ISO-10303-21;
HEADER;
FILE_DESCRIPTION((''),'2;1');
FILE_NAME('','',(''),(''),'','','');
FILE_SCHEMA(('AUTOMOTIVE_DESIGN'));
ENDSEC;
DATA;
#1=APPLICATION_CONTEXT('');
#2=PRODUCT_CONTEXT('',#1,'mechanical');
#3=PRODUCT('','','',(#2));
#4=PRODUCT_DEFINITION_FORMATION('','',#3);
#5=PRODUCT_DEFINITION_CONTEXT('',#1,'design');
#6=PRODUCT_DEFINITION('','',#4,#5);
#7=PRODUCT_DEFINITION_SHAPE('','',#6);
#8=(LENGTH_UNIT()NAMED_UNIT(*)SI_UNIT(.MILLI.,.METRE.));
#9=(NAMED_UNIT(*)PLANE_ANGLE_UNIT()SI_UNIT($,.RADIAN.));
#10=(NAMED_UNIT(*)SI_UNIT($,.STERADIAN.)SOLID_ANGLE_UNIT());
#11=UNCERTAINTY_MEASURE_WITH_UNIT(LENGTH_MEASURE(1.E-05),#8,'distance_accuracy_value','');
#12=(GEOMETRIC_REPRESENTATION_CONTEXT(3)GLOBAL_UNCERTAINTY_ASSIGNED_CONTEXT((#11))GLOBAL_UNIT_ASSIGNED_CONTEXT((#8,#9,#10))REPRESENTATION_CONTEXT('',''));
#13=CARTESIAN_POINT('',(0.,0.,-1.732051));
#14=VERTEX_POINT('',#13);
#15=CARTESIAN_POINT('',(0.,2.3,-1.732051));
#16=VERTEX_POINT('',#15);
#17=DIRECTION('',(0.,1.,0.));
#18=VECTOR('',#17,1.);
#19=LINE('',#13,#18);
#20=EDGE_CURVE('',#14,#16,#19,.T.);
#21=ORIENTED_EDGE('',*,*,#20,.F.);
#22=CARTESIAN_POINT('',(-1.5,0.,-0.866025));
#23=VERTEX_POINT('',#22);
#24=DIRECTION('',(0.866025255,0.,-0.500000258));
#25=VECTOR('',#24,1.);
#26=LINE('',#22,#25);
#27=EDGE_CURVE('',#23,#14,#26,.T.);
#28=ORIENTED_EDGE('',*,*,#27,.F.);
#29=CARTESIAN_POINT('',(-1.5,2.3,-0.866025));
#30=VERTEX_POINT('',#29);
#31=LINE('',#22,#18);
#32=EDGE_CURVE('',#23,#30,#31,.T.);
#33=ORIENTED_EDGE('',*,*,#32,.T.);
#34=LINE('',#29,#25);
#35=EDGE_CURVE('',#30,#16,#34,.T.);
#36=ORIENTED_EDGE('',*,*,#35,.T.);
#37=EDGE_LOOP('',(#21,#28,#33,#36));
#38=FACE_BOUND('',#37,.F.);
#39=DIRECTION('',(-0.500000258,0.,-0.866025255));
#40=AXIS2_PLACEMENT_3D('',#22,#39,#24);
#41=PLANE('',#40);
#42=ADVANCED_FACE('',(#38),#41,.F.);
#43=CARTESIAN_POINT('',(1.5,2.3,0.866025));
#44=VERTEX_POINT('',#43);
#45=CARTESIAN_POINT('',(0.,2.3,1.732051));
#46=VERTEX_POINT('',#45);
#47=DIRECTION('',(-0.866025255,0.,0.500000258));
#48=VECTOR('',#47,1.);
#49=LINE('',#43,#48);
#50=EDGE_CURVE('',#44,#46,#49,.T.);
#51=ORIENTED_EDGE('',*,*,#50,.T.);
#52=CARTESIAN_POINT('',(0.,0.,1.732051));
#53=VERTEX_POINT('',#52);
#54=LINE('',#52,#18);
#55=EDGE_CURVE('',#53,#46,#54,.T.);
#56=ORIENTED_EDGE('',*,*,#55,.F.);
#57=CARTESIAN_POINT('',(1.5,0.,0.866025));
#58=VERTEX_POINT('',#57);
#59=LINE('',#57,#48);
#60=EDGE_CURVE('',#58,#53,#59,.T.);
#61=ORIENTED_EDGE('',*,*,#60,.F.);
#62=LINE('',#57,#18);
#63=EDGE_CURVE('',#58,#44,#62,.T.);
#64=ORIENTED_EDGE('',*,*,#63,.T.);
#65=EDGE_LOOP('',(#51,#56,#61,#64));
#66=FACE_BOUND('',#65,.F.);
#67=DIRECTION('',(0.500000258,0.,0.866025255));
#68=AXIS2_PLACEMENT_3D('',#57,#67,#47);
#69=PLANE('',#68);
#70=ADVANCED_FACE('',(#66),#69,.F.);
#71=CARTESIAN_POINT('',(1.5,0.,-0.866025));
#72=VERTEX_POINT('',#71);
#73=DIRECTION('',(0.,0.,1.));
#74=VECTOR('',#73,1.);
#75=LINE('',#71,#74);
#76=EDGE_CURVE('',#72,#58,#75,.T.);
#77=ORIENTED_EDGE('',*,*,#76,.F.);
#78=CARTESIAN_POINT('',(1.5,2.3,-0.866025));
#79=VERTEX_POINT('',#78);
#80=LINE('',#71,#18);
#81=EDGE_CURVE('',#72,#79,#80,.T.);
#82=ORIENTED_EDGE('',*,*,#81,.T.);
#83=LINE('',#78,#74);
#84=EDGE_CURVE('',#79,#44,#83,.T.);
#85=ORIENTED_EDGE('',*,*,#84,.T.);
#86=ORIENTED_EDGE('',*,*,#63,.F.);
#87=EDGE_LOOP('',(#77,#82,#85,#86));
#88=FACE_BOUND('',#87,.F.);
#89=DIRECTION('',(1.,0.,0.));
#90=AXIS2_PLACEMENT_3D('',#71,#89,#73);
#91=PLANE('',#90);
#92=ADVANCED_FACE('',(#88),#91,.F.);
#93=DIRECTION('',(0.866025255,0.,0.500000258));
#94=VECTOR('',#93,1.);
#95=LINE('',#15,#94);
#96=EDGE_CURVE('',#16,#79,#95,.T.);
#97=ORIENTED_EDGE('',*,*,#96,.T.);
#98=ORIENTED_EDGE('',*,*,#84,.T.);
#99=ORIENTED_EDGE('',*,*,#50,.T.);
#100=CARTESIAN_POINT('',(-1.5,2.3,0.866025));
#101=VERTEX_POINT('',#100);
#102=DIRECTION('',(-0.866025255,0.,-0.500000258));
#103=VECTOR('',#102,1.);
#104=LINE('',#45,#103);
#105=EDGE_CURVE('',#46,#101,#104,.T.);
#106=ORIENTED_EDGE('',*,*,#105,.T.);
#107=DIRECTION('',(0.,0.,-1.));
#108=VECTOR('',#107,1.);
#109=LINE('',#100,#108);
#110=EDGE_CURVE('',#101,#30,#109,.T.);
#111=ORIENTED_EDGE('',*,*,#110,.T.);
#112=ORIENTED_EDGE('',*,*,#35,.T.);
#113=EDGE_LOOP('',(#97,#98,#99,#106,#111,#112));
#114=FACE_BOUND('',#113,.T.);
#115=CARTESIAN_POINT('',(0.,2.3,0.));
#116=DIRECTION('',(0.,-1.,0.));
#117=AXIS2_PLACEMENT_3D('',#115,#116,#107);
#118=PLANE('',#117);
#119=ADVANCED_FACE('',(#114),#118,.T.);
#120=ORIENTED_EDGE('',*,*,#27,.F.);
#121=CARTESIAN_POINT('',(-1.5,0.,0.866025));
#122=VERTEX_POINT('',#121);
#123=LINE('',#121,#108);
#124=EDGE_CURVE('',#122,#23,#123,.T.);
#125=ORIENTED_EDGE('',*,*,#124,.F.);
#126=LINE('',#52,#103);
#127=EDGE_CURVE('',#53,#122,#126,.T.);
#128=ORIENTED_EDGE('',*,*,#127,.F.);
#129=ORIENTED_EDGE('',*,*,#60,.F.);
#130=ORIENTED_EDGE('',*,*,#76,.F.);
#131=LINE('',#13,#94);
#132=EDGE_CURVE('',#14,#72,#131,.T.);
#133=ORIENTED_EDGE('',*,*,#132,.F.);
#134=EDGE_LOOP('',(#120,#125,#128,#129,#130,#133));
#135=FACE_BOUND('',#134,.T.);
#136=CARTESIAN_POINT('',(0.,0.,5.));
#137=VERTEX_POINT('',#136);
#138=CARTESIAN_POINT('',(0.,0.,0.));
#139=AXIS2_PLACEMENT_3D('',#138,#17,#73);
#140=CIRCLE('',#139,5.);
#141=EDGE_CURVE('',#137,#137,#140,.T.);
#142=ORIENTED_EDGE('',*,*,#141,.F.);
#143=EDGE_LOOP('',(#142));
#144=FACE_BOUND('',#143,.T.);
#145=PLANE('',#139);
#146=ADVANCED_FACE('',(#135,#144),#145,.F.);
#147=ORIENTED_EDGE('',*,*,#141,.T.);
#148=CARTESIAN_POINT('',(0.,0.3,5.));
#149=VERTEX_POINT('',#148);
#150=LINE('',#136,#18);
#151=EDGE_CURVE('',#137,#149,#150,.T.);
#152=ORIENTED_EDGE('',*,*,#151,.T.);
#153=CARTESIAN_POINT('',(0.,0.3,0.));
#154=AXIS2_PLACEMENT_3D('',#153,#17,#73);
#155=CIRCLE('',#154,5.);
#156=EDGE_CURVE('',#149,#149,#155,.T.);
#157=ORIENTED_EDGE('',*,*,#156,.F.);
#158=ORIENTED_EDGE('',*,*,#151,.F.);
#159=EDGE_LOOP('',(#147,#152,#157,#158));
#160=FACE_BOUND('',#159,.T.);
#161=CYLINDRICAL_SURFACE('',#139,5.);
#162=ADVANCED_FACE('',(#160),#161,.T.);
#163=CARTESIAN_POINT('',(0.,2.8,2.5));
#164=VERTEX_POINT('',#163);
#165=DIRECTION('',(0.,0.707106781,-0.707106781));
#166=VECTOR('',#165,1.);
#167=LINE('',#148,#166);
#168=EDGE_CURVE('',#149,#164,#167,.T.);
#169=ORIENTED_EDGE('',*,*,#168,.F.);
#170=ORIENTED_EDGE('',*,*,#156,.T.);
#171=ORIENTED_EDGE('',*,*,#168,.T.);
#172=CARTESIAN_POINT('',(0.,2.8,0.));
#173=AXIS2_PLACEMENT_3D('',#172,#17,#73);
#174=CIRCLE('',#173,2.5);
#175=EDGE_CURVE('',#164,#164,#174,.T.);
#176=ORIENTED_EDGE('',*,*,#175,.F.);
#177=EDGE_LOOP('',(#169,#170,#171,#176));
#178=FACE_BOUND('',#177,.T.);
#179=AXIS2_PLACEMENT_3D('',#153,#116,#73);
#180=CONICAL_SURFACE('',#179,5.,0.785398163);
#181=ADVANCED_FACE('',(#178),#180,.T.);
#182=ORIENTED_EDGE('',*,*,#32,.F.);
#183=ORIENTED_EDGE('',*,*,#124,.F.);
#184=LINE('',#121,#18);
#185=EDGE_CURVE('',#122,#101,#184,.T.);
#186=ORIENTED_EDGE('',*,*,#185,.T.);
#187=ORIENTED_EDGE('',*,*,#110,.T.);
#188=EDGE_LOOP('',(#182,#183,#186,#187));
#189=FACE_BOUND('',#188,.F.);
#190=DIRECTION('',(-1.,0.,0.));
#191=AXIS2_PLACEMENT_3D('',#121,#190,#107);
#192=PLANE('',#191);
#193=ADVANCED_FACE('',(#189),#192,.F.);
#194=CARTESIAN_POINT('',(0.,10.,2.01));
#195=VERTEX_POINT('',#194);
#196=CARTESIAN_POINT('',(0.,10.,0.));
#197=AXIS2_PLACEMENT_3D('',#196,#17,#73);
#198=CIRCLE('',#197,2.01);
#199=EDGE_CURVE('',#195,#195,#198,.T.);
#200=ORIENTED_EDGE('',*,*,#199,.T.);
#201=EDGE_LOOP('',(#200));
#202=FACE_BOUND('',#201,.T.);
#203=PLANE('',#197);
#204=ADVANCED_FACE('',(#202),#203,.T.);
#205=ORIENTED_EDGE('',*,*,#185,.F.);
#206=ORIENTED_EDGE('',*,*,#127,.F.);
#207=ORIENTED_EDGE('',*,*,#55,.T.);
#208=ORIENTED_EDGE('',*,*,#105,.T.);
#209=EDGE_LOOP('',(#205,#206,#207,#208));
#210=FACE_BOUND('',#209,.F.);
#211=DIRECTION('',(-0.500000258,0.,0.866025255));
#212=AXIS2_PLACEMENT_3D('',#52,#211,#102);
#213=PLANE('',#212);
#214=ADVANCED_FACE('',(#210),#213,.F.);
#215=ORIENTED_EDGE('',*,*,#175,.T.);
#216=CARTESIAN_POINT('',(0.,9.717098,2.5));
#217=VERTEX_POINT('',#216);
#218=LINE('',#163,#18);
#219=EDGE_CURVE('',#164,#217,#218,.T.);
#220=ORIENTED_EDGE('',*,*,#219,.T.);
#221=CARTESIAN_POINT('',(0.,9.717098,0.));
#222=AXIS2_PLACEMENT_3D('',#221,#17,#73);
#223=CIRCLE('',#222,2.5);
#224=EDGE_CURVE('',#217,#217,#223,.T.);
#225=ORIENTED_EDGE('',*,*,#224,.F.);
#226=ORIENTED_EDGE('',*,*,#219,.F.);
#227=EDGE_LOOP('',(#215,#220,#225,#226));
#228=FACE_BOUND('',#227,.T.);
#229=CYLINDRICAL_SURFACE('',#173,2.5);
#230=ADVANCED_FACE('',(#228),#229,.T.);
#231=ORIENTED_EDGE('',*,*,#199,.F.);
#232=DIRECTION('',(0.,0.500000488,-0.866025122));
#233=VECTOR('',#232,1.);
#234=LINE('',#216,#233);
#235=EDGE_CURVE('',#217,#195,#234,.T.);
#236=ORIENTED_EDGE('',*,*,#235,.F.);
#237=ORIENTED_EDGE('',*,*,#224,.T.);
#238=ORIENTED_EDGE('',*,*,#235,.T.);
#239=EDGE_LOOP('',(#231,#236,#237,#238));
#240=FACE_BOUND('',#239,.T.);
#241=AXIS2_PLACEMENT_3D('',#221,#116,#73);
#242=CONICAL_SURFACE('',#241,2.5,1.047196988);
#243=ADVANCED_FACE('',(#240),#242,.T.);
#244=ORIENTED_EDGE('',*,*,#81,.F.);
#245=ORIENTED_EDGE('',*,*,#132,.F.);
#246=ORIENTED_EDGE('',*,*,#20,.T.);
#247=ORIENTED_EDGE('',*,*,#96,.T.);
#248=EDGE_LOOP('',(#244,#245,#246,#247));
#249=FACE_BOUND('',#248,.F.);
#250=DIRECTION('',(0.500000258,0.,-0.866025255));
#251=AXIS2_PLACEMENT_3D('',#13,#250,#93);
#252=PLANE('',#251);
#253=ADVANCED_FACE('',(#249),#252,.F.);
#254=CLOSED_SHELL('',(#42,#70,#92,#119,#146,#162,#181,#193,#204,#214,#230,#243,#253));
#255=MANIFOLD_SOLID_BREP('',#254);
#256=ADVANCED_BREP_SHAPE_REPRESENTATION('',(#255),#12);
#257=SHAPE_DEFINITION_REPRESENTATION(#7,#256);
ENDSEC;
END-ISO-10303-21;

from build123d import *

# Parameters (mm, degrees)
POCKET_DEPTH = 2.3


with BuildPart() as part:
    # Sketch → Revolution (revolve)
    with BuildSketch(Plane.YZ):
        Polygon((0, 0), (0, 5), (0.3, 5), (2.8, 2.5), (9.717098, 2.5), (10, 2.01), (10, 0), align=None)
    revolve(axis=Axis((0, 0, 0), (0, 1, 0)))

    # Sketch001 → Pocket (cut)
    with BuildSketch(Plane(origin=(0, 0, 0), x_dir=(0, 0, -1), z_dir=(0, -1, 0))):
        Polygon((0.866025, 1.5), (-0.866025, 1.5), (-1.732051, 0), (-0.866025, -1.5), (0.866025, -1.5), (1.732051, 0), align=None)
    extrude(amount=-POCKET_DEPTH, mode=Mode.SUBTRACT)


solid = part.part
